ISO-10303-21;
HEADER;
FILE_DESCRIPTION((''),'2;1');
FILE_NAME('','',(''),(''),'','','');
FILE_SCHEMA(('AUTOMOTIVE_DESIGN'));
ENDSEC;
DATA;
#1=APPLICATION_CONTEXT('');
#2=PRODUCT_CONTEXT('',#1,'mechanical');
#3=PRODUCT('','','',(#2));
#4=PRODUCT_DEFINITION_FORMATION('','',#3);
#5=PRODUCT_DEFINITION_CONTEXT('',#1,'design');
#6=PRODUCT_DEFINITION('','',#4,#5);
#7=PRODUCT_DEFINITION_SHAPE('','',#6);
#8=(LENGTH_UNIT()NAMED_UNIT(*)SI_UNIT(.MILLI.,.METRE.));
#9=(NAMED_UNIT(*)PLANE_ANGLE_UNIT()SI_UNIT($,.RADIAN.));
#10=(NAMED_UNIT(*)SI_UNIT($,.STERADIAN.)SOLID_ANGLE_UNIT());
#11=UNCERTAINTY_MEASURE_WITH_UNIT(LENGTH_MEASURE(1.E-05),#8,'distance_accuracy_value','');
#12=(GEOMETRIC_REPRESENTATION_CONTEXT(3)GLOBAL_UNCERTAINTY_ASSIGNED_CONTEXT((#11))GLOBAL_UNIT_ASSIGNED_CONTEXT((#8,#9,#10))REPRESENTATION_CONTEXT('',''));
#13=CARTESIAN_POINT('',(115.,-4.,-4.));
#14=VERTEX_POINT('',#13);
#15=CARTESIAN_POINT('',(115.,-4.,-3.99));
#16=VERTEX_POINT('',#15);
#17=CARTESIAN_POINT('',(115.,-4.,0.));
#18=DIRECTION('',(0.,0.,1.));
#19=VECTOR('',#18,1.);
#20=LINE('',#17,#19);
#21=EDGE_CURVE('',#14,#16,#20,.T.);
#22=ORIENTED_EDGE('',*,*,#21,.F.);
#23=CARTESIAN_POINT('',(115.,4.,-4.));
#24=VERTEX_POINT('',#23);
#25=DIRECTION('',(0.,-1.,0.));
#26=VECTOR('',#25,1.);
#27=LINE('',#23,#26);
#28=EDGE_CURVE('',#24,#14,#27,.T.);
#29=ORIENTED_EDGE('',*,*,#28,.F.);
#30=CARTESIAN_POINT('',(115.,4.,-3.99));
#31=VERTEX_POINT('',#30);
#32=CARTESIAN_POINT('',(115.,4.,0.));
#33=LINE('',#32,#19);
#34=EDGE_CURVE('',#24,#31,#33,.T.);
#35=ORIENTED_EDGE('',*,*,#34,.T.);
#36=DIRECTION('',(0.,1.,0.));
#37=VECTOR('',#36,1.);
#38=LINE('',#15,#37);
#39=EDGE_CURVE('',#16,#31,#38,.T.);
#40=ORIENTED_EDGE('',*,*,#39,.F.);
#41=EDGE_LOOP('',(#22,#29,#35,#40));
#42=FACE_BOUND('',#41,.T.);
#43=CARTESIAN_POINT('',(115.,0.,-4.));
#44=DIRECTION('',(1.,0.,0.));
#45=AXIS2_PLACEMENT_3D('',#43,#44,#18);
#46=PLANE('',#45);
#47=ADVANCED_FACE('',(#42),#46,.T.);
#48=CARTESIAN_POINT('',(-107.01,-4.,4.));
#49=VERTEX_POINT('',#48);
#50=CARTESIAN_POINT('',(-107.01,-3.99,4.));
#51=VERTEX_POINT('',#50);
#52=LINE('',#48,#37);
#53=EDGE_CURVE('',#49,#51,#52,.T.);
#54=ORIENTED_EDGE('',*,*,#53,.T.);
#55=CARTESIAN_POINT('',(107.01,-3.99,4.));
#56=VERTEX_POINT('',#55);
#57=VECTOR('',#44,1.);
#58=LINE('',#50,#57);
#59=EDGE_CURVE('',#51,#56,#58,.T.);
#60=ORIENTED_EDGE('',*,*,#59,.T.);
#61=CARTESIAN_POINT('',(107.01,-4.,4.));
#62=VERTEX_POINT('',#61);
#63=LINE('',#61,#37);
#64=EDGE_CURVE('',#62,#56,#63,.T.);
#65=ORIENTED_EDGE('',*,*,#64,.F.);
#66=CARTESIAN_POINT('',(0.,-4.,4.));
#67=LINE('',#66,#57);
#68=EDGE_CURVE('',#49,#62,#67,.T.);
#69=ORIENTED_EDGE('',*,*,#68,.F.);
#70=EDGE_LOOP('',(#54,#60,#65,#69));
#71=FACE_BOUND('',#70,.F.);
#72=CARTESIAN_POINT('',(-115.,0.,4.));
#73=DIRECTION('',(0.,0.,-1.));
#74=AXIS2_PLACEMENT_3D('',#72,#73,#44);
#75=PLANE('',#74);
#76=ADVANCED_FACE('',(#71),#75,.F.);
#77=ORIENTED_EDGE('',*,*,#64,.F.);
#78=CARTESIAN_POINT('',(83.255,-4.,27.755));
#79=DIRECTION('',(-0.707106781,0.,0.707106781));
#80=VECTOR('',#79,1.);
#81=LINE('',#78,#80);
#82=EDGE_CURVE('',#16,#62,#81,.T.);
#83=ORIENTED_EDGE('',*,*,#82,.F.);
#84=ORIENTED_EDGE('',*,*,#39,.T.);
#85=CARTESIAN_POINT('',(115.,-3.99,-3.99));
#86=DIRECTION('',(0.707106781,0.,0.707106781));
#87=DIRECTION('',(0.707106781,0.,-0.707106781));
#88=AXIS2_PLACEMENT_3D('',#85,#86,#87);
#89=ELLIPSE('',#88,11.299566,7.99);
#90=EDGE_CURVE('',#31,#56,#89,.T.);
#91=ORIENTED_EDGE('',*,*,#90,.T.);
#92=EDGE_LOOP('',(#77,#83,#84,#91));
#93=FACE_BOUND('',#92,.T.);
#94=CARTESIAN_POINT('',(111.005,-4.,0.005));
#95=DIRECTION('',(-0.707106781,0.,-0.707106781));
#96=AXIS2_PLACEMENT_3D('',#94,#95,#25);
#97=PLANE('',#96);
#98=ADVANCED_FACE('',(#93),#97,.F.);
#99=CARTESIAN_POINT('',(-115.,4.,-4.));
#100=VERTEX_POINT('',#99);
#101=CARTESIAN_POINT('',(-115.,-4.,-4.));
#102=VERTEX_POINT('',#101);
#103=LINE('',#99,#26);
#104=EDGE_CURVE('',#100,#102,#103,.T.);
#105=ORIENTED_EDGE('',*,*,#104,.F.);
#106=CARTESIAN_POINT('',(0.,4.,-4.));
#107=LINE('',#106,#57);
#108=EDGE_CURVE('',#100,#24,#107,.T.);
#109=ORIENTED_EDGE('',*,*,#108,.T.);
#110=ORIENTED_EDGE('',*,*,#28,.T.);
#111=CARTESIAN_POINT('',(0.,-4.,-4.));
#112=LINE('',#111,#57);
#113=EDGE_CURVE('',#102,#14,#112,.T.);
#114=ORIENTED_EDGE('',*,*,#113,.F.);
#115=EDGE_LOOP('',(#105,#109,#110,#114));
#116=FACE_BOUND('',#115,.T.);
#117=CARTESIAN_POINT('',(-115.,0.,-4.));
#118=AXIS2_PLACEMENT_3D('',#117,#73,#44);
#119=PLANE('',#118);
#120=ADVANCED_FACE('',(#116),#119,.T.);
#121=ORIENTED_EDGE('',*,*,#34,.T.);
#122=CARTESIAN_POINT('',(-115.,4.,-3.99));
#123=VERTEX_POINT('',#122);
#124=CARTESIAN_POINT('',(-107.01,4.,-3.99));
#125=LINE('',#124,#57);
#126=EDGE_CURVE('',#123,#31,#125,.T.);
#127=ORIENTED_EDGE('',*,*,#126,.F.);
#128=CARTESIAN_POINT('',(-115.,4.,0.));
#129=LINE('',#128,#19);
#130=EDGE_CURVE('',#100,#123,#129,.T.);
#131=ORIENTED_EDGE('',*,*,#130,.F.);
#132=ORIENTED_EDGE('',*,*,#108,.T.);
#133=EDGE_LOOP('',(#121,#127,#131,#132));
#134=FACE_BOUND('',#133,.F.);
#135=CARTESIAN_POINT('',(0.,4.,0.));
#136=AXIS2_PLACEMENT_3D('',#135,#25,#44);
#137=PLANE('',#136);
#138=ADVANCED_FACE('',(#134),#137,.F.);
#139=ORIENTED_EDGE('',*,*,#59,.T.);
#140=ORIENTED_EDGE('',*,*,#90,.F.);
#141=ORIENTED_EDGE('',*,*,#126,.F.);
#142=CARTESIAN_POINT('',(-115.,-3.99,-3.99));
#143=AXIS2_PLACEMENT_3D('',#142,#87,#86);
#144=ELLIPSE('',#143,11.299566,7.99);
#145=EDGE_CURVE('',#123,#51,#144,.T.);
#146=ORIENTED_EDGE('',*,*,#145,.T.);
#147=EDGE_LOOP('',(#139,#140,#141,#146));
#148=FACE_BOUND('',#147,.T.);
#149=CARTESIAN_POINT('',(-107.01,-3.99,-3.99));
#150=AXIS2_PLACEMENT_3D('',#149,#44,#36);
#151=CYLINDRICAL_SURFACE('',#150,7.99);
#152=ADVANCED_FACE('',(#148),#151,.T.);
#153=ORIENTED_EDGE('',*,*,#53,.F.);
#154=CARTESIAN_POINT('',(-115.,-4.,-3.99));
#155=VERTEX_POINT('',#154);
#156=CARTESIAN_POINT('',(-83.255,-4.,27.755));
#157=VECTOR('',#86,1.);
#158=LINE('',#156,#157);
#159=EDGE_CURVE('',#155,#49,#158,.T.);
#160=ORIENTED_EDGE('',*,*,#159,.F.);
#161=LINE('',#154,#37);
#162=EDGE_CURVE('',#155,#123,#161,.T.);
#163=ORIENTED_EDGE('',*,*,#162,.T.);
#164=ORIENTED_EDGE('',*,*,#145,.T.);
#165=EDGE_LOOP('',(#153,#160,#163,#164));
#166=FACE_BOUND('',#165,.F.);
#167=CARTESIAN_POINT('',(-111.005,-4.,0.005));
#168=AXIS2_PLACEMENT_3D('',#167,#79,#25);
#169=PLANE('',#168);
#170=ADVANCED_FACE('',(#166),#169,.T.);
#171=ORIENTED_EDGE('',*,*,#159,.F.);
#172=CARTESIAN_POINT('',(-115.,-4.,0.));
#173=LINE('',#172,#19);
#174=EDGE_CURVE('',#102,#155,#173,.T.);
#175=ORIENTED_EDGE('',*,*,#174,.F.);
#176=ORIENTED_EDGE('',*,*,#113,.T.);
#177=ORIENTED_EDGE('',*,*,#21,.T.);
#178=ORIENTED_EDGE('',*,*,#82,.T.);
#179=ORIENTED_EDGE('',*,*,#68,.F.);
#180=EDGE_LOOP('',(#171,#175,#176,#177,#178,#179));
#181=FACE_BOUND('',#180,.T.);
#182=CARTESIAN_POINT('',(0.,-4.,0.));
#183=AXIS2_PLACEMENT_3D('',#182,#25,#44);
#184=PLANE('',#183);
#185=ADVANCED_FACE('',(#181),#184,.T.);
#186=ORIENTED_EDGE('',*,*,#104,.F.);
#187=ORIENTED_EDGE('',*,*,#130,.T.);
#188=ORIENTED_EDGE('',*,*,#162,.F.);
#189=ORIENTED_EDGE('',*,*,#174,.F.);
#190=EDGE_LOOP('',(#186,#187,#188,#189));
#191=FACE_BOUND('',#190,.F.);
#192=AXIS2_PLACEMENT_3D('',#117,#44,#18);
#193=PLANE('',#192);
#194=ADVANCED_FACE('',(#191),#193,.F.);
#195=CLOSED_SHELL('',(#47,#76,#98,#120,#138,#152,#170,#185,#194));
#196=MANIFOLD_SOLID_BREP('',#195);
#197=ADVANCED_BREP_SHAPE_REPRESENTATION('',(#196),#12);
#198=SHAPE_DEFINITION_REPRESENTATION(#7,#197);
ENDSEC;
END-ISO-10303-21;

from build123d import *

# Parameters (mm, degrees)
SKETCH001_W  = 230
SKETCH001_H  = 8
PAD001_DEPTH = 4
CHAMFER_SIZE = 7.99
FILLET_R     = 7.99


with BuildPart() as part:
    # Sketch001 → Pad001 (new body, symmetric)
    with BuildSketch(Plane.XZ):
        Rectangle(SKETCH001_W, SKETCH001_H)
    extrude(amount=PAD001_DEPTH, both=True)

    # Chamfer
    chamfer_edges = [part.edges().sort_by_distance(p)[0] for p in [
        (115, 0, 4),
        (-115, 0, 4),
    ]]
    chamfer(chamfer_edges, length=CHAMFER_SIZE)

    # Fillet
    fillet_edges = [part.edges().sort_by_distance(p)[0] for p in [
        (0, 4, 4),
    ]]
    fillet(fillet_edges, radius=FILLET_R)


solid = part.part
